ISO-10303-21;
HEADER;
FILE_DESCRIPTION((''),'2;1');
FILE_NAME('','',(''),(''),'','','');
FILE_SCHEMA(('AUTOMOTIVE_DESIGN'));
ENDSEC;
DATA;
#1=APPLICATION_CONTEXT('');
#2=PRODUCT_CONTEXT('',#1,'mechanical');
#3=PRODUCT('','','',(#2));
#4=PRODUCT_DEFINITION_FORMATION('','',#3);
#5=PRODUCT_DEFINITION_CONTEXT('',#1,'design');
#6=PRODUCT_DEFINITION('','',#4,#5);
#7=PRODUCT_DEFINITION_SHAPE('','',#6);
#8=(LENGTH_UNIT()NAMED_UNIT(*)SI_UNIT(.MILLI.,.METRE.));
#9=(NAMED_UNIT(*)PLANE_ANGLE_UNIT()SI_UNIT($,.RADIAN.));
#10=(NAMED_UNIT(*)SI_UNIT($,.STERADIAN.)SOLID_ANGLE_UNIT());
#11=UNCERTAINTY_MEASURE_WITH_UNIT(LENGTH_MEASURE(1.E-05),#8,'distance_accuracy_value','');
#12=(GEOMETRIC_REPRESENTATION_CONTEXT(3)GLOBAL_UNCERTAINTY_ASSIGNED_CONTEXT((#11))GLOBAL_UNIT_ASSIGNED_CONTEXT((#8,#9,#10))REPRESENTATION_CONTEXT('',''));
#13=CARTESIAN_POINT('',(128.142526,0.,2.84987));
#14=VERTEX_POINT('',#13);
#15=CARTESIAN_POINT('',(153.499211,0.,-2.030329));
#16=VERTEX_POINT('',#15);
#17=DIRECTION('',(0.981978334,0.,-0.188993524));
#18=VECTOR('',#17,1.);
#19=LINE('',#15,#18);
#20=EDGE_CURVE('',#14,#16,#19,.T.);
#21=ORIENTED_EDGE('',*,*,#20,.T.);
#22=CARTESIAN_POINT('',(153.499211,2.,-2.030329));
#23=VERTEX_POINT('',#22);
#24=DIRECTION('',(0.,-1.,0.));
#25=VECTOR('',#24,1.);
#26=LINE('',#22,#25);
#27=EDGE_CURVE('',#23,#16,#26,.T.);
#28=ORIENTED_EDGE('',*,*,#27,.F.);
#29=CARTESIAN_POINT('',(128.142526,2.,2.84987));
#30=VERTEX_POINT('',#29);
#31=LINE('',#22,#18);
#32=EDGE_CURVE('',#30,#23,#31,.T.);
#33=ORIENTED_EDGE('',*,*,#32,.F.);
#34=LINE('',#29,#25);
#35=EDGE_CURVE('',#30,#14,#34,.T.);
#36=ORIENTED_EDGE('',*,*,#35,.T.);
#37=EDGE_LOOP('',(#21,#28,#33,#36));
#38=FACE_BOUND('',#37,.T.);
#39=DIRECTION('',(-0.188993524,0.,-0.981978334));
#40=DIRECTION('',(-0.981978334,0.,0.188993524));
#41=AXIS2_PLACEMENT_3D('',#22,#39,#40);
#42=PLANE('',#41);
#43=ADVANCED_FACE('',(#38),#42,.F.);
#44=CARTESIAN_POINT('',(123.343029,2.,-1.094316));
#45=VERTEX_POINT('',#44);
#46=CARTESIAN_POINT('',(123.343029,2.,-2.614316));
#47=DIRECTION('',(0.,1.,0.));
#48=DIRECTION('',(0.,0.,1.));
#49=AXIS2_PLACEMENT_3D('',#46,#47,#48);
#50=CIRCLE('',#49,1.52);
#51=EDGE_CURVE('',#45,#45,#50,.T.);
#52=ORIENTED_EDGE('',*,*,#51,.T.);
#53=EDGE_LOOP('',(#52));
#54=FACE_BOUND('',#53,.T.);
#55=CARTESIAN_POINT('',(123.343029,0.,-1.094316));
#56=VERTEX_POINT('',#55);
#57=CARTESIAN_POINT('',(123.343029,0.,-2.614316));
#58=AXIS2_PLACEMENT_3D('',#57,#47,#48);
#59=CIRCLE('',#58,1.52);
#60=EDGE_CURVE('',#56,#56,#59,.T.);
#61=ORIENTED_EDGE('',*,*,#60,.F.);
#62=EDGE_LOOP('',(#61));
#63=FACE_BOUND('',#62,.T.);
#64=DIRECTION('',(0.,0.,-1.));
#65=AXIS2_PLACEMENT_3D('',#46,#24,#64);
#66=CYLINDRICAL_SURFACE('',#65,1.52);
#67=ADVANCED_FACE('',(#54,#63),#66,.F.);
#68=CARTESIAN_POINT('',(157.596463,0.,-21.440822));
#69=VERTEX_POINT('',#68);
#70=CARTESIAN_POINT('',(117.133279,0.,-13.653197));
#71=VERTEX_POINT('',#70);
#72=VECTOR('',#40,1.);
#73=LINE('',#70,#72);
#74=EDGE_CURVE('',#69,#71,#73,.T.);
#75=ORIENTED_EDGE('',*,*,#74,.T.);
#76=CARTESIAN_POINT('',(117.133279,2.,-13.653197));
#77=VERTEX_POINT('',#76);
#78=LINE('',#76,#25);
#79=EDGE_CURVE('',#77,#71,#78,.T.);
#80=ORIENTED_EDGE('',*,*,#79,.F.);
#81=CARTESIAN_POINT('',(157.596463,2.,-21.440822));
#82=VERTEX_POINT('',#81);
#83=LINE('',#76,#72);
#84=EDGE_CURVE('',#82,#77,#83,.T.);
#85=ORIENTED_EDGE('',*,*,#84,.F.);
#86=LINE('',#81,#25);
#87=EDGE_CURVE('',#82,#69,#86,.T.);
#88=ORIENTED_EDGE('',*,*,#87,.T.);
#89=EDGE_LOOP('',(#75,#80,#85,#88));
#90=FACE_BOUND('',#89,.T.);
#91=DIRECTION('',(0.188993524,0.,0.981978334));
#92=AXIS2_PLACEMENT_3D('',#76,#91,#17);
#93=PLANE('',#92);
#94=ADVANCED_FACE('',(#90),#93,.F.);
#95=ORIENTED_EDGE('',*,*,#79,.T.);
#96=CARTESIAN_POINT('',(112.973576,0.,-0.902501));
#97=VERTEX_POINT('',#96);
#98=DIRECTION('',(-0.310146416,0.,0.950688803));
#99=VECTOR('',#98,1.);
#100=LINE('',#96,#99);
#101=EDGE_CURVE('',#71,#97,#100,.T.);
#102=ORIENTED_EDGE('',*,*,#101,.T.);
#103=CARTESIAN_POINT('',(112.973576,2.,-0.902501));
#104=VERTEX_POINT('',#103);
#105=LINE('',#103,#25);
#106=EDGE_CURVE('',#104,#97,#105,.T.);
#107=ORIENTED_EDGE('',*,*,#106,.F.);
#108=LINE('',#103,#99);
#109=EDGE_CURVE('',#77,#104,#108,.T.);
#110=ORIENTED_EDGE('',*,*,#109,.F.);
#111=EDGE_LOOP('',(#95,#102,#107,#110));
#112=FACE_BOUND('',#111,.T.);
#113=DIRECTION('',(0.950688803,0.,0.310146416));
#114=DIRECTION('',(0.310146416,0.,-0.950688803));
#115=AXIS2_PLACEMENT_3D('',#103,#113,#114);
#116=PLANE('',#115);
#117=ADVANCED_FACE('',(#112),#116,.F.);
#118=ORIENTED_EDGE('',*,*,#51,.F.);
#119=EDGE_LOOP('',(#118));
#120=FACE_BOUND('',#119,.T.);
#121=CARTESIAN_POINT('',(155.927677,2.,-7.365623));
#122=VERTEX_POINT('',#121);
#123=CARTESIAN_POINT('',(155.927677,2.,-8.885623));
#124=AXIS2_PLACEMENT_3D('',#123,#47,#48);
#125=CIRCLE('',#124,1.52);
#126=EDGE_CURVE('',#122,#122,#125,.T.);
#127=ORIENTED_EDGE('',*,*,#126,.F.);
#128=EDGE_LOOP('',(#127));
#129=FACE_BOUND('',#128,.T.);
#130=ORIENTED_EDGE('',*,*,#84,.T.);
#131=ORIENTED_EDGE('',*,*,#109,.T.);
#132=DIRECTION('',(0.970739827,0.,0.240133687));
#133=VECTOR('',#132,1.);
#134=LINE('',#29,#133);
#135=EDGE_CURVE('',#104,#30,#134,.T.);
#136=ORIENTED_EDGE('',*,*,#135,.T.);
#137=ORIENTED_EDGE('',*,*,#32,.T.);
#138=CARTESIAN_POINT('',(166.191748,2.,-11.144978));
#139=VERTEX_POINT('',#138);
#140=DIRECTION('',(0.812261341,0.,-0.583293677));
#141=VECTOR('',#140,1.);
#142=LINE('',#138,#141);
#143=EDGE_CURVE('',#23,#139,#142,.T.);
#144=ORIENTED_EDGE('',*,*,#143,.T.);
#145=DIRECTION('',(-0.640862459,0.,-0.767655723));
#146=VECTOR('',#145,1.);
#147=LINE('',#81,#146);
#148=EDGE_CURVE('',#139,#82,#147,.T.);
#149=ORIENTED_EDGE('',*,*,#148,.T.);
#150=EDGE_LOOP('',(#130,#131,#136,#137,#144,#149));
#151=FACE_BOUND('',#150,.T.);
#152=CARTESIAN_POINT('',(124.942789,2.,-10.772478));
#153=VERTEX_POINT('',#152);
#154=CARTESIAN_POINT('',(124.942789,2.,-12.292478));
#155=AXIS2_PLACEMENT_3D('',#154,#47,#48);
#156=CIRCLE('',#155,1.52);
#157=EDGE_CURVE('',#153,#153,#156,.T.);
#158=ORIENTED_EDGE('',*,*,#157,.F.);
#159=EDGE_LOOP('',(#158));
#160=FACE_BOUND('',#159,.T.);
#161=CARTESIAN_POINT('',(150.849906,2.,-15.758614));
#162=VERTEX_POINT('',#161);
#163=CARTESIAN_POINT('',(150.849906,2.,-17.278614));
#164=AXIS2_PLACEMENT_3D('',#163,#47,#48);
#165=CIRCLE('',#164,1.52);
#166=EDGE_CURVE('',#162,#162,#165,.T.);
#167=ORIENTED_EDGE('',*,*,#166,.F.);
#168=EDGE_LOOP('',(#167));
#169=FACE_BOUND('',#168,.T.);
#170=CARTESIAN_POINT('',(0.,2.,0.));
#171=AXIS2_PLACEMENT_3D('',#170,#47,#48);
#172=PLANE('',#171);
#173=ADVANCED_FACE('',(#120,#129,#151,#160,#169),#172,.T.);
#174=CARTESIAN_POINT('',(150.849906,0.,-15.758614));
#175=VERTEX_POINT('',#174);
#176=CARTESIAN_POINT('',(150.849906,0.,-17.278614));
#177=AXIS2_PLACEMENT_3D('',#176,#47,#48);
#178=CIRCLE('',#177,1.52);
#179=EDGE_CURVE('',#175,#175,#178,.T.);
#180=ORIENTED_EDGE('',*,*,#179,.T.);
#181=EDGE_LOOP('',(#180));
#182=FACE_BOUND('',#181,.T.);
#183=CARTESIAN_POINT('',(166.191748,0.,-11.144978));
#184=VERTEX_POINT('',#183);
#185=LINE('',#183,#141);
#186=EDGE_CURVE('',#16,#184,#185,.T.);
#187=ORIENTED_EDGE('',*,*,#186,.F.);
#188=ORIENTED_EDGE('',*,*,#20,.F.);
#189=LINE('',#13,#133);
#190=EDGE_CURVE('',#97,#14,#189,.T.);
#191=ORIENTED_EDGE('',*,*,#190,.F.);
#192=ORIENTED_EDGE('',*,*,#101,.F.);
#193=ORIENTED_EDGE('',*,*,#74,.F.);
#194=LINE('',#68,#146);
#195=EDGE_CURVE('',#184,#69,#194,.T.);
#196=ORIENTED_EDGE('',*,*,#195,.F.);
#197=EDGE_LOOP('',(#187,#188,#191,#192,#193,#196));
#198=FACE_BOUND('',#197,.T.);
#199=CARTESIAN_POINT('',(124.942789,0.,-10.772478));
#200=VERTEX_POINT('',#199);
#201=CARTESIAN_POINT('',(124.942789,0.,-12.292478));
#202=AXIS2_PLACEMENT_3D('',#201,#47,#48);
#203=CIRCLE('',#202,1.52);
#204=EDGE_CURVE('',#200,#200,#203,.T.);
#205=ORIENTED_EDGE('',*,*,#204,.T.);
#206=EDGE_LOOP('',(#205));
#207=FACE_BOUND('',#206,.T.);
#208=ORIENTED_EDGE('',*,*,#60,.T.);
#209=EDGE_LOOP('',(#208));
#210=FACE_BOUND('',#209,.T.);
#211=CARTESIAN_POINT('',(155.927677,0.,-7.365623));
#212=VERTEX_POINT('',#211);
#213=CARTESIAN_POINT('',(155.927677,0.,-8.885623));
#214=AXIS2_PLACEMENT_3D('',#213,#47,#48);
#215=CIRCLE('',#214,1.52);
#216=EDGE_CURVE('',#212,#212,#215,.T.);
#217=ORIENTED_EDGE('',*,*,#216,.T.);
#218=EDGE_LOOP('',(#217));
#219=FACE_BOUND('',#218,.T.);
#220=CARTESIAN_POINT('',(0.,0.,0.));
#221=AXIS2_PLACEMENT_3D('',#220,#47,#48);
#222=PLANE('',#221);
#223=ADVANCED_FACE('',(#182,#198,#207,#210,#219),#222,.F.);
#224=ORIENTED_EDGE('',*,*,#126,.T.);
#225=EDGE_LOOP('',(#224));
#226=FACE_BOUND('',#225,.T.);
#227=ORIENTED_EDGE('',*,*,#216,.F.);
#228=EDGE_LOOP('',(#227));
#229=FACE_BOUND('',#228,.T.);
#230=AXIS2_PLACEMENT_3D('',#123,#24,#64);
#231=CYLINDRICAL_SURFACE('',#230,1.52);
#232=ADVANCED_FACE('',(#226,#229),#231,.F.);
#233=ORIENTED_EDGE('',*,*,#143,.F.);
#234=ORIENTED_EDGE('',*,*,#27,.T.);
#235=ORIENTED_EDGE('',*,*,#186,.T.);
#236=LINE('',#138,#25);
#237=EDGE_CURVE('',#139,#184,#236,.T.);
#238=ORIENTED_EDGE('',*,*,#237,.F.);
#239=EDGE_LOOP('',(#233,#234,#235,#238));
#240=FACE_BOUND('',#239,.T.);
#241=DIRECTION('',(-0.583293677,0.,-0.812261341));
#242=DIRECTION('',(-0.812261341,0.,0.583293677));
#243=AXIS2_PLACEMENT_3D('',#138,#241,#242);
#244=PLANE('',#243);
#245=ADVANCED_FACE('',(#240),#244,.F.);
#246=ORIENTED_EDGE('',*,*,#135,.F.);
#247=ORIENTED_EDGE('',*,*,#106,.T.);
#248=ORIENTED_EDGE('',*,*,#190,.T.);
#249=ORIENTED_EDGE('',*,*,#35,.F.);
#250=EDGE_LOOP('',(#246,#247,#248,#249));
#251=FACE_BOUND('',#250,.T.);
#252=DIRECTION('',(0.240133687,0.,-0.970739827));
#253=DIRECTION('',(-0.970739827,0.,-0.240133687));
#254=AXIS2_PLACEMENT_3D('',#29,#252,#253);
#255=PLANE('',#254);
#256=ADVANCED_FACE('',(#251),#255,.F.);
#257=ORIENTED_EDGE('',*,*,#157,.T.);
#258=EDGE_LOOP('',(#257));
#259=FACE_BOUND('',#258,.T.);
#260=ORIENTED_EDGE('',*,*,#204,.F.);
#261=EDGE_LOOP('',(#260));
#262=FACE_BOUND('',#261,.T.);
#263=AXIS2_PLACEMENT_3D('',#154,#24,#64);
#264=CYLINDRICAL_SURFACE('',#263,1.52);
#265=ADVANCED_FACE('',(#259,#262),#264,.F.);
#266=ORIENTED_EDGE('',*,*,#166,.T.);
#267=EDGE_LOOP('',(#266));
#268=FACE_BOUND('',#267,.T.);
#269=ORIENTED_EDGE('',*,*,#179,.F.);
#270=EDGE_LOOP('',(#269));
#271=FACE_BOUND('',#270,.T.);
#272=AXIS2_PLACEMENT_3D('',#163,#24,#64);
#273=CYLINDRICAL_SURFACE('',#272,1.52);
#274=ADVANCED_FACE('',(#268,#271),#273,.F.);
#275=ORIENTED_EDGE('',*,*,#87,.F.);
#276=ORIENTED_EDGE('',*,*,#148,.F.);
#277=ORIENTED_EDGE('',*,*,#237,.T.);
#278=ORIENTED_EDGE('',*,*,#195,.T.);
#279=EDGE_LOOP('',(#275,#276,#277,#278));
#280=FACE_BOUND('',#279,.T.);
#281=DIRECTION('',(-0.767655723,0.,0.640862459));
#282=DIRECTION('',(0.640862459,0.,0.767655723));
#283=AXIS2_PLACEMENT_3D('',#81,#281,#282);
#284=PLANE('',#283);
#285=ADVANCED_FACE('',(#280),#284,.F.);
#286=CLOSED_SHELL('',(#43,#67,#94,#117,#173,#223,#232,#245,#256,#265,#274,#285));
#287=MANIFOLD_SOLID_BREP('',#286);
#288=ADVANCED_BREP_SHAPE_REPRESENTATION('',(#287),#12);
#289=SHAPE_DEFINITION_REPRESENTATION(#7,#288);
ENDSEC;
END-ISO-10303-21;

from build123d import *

# Parameters (mm, degrees)
SKETCH_2_R      = 1.52
EXTRUDE_2_DEPTH = 2


with BuildPart() as part:
    # 草图2 → 凸台-拉伸2 (new body)
    with BuildSketch(Plane(origin=(0, 0, 0), x_dir=(1, 0, 0), z_dir=(0, 1, 0))):
        Polygon((117.133278723, 13.653196573), (157.596462546, 21.44082227), (166.191748342, 11.144977596), (153.499211008, 2.030328902), (128.142526142, -2.849869635), (112.973576354, 0.902501232), align=None)
        with Locations((124.942788747, 12.292478307)):
            Circle(SKETCH_2_R, mode=Mode.SUBTRACT)
        with Locations((123.343028663, 2.614316014)):
            Circle(SKETCH_2_R, mode=Mode.SUBTRACT)
        with Locations((150.849906034, 17.278614174)):
            Circle(SKETCH_2_R, mode=Mode.SUBTRACT)
        with Locations((155.927676671, 8.885622868)):
            Circle(SKETCH_2_R, mode=Mode.SUBTRACT)
    extrude(amount=EXTRUDE_2_DEPTH)


solid = part.part
